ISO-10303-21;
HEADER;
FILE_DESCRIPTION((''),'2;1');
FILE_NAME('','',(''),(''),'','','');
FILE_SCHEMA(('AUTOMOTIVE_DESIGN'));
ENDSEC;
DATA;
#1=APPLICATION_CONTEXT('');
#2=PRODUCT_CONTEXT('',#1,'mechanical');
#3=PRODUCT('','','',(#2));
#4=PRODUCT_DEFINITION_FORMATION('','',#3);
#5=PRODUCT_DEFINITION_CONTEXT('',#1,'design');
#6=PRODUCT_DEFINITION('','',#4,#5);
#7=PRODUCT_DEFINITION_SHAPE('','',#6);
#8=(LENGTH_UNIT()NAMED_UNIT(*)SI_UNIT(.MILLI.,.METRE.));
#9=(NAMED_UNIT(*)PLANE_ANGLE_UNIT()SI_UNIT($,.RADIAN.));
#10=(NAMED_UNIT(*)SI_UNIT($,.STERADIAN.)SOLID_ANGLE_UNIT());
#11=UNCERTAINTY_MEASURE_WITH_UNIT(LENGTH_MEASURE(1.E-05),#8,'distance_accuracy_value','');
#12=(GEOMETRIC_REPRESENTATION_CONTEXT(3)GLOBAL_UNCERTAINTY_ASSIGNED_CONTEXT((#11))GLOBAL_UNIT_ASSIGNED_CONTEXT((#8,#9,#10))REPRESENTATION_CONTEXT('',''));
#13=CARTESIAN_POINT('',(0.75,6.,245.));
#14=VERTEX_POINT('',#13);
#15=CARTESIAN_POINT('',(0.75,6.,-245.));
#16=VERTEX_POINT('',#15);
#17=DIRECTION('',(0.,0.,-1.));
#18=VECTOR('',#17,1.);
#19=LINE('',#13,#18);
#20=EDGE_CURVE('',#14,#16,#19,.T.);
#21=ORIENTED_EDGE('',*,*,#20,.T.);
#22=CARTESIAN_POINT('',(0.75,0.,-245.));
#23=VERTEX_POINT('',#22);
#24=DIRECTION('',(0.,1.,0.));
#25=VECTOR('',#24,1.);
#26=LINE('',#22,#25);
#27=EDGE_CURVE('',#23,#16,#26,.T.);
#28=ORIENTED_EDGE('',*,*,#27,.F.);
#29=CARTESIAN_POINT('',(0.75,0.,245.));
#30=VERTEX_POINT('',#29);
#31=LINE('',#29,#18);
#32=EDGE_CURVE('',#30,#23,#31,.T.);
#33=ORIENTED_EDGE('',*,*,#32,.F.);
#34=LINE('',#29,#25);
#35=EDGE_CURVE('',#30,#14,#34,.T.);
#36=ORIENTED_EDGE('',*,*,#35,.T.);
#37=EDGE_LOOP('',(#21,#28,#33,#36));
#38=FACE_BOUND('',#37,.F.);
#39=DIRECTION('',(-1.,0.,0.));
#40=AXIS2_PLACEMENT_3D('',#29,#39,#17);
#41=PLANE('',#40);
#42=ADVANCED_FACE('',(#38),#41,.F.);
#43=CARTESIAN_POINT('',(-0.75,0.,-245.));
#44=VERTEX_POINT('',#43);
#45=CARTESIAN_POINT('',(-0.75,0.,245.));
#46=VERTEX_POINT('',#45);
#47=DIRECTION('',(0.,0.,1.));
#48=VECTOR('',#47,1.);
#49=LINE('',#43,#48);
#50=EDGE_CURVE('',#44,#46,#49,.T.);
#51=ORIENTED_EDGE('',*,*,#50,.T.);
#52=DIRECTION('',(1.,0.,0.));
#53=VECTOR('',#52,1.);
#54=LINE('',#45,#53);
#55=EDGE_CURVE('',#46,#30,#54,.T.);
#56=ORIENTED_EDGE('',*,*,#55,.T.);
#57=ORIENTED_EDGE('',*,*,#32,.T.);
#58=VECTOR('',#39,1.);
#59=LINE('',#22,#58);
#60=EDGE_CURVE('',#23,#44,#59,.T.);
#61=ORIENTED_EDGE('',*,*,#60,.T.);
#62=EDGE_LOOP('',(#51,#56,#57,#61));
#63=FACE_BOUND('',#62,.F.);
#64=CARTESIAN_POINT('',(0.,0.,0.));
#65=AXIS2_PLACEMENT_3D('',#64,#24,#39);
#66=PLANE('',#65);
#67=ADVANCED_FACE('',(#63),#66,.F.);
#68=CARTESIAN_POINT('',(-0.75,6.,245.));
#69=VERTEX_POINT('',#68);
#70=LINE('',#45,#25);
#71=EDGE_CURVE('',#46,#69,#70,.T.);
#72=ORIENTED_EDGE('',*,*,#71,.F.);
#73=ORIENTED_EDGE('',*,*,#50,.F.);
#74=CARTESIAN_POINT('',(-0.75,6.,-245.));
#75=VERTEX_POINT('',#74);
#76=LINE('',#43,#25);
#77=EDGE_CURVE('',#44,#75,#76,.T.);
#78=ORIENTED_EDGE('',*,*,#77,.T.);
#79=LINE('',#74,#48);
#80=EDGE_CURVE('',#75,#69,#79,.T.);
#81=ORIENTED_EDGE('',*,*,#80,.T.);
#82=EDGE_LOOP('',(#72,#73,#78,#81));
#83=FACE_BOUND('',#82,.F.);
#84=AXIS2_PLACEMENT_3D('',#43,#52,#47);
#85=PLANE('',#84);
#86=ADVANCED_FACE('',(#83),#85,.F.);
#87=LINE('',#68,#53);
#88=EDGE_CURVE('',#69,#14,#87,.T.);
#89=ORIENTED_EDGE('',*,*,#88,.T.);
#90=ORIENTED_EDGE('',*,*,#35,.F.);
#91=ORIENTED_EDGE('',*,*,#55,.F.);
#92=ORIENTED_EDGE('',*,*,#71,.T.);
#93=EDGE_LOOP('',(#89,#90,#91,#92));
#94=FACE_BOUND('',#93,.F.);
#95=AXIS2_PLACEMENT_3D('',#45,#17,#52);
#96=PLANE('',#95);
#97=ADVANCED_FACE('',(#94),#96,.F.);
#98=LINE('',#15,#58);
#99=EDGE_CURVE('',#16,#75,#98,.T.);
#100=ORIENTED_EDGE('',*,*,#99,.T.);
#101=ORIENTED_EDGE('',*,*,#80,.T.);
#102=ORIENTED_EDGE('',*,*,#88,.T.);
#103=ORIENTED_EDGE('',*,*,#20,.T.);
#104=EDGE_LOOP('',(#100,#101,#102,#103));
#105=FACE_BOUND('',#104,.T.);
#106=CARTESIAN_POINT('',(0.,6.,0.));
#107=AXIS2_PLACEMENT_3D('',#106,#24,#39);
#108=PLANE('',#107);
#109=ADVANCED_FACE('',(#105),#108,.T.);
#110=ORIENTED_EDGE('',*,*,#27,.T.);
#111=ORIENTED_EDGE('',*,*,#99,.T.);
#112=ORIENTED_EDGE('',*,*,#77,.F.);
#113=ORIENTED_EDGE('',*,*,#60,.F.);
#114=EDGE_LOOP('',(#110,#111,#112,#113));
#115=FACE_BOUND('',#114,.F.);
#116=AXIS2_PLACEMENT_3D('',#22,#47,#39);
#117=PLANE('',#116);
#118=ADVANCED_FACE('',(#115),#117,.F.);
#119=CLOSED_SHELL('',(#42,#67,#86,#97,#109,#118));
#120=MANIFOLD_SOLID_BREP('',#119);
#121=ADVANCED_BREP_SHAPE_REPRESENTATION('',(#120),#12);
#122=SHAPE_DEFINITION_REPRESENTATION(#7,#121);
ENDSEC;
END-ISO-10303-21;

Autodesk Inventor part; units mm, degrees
ref_plane "YZ Plane" through (0, 0, 0) normal (1, 0, 0) x (0, 1, 0)
ref_plane "XZ Plane" through (0, 0, 0) normal (0, 1, 0) x (-1, 0, 0)
ref_plane "XY Plane" through (0, 0, 0) normal (0, 0, 1) x (1, 0, 0)
sketch "Skizze1" plane through (0, 0, 0) normal (0, 1, 0) x (-1, 0, 0)
  line L0 (-0.75, -245) -> (0.75, -245)
  line L1 (0.75, -245) -> (0.75, 245)
  line L2 (0.75, 245) -> (-0.75, 245)
  line L3 (-0.75, 245) -> (-0.75, -245)
  line L4 (-0.75, -245) -> (0.75, 245) construction
  line L5 (0.75, -245) -> (-0.75, 245) construction
  point P0 (0, 0)
  dimension "d0" = 1.5
  dimension "d1" = 490
extrude "Extrusion1" add sketch "Skizze1" along normal blind 6
properties part number "20_Belt_490mm"
